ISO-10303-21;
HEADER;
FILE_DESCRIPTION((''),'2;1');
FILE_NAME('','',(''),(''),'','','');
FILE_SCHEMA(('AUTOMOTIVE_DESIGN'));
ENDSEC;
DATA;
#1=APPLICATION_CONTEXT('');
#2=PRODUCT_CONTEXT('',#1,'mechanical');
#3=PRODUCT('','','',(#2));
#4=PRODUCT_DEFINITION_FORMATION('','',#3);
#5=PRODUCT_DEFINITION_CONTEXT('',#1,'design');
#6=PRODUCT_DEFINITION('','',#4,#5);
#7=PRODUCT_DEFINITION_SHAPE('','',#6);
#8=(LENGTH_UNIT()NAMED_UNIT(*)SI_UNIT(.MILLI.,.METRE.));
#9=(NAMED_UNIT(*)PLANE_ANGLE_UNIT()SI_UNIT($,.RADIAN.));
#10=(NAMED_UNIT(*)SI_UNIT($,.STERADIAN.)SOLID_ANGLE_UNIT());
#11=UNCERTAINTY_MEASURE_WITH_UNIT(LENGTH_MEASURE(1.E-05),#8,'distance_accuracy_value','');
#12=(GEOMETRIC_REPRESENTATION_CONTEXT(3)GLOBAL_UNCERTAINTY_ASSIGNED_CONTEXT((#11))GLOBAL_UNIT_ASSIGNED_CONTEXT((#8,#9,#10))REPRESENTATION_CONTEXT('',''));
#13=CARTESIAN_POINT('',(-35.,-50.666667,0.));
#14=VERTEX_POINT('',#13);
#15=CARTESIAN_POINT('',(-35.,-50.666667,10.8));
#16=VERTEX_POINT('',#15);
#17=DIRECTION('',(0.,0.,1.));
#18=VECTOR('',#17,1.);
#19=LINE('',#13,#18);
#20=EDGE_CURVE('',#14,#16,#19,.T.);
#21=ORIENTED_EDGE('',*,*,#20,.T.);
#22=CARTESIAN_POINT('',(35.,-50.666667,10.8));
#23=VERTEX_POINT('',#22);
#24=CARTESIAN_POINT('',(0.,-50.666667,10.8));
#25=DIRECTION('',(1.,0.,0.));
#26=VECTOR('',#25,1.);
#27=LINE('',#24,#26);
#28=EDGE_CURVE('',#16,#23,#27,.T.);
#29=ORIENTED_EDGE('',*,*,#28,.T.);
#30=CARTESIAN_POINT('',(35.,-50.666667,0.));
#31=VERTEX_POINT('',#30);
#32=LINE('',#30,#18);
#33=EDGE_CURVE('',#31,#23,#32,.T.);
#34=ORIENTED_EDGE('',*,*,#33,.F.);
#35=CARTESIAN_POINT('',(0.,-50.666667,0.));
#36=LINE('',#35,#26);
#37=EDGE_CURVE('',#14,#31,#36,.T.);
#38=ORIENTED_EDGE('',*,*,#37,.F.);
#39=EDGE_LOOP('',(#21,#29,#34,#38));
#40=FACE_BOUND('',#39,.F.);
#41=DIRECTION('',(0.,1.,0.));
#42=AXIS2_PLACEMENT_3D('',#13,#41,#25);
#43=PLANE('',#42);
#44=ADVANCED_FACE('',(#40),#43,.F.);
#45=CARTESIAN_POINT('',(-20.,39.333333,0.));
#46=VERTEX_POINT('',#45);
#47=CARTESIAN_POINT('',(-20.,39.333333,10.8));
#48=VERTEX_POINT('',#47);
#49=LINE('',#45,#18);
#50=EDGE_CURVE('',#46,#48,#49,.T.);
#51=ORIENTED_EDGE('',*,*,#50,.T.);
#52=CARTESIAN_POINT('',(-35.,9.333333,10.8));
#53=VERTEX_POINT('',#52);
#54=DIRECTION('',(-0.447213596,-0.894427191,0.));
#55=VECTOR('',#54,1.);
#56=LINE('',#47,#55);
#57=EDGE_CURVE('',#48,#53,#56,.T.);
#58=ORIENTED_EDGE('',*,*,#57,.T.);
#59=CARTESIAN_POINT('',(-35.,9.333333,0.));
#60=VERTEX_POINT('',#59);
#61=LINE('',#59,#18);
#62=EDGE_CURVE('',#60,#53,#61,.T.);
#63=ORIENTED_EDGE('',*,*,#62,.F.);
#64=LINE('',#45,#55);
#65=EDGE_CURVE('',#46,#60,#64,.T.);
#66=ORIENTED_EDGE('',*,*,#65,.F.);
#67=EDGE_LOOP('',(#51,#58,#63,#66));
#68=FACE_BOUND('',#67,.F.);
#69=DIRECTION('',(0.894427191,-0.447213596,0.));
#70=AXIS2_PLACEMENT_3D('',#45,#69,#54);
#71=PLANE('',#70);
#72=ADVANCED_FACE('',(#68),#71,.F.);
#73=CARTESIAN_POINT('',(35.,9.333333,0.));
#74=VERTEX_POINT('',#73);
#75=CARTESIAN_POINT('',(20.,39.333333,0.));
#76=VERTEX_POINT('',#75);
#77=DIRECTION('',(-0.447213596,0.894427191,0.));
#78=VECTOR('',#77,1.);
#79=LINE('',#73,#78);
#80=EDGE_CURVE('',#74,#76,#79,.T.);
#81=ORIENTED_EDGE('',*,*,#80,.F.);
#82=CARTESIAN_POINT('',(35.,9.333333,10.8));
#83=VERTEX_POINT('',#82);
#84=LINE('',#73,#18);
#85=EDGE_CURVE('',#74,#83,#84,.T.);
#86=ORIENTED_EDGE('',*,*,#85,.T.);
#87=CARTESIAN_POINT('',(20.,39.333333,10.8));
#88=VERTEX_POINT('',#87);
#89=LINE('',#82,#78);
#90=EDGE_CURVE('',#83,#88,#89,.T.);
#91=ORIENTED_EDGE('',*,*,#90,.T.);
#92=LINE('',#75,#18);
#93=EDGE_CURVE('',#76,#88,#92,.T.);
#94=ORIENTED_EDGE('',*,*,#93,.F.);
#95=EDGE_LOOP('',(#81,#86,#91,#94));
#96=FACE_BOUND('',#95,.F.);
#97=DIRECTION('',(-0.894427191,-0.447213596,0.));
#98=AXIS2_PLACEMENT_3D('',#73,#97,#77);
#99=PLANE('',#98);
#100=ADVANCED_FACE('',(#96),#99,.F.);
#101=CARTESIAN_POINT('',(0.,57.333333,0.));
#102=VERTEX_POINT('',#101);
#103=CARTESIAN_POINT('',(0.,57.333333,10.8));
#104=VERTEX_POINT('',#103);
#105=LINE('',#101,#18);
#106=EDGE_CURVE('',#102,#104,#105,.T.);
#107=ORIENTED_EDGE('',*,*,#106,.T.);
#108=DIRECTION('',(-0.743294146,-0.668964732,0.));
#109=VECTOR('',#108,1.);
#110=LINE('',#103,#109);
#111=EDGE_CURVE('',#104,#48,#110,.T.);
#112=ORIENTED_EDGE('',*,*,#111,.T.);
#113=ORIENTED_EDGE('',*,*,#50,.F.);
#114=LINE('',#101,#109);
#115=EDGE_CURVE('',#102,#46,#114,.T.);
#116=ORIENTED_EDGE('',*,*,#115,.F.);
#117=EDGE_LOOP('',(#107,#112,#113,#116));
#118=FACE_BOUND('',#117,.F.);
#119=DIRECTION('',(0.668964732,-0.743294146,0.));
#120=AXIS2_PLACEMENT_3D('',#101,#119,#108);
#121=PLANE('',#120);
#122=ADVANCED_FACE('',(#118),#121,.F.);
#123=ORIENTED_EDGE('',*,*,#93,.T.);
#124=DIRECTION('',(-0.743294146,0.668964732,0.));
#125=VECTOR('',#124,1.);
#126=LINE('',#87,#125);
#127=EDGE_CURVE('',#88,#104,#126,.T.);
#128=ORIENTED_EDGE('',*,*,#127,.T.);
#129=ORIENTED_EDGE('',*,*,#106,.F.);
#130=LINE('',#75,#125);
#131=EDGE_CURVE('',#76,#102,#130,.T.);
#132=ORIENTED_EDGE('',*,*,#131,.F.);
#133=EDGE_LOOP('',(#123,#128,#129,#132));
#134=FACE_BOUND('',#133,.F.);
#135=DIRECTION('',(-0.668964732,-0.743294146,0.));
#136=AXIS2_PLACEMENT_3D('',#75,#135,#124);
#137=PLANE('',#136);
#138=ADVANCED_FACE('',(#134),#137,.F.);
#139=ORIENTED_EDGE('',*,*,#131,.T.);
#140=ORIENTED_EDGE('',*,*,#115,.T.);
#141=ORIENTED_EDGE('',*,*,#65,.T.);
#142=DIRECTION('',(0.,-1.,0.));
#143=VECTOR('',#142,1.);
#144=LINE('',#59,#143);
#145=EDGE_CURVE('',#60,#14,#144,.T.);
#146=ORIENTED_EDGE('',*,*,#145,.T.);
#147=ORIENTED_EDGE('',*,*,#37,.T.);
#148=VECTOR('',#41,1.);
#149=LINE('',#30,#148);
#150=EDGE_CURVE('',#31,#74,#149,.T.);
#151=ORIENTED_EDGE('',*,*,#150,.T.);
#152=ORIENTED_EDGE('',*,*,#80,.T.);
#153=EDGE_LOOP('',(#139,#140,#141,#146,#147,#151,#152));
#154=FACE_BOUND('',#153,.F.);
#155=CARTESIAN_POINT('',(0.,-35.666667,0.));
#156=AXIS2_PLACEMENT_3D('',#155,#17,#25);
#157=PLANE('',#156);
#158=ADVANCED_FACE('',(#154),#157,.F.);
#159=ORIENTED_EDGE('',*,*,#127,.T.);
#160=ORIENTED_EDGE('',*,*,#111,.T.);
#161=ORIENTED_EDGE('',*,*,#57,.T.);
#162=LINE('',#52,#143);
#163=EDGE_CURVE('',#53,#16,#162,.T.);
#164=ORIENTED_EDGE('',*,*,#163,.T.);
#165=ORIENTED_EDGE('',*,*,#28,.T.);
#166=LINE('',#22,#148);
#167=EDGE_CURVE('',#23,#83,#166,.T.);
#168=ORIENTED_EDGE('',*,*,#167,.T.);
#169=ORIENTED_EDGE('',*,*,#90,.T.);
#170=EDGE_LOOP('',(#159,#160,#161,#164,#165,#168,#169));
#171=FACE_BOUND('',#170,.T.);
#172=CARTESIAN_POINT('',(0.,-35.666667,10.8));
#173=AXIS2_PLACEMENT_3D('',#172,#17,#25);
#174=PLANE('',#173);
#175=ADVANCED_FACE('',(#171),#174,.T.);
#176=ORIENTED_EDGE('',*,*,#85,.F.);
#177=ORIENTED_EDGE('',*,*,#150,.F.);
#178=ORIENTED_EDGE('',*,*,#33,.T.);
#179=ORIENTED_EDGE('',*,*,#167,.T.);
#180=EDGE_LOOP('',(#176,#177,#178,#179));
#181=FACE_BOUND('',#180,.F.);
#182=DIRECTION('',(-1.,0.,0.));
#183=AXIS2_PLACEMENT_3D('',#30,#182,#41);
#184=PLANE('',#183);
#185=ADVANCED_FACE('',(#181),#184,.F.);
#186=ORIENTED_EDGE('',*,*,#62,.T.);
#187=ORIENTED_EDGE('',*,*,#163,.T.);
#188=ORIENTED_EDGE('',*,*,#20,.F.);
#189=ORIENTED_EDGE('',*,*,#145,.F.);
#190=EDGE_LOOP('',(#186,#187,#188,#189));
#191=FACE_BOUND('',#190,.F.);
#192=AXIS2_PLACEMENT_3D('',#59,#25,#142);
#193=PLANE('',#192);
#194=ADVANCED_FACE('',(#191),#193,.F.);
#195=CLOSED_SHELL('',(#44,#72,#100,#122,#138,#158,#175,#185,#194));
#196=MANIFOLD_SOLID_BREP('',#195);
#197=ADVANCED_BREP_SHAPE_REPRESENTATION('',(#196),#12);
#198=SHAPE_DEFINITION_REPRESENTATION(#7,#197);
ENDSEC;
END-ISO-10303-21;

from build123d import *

# Parameters (mm, degrees)
F0_W     = 70
F0_H     = 30
F1_DEPTH = 10.8


with BuildPart() as f1:
    # F0 (on Top) → F1 (new body)
    with BuildSketch(Plane.XY):
        with Locations((0, -35.666667)):
            Rectangle(F0_W, F0_H)
        Polygon((-20, 39.333333), (-35, 9.333333), (35, 9.333333), (20, 39.333333), align=None)
        with Locations((0, -5.666667)):
            Rectangle(F0_W, F0_H)
        Polygon((0, 57.333333), (-20, 39.333333), (20, 39.333333), align=None)
    extrude(amount=F1_DEPTH)


solid = f1.part
